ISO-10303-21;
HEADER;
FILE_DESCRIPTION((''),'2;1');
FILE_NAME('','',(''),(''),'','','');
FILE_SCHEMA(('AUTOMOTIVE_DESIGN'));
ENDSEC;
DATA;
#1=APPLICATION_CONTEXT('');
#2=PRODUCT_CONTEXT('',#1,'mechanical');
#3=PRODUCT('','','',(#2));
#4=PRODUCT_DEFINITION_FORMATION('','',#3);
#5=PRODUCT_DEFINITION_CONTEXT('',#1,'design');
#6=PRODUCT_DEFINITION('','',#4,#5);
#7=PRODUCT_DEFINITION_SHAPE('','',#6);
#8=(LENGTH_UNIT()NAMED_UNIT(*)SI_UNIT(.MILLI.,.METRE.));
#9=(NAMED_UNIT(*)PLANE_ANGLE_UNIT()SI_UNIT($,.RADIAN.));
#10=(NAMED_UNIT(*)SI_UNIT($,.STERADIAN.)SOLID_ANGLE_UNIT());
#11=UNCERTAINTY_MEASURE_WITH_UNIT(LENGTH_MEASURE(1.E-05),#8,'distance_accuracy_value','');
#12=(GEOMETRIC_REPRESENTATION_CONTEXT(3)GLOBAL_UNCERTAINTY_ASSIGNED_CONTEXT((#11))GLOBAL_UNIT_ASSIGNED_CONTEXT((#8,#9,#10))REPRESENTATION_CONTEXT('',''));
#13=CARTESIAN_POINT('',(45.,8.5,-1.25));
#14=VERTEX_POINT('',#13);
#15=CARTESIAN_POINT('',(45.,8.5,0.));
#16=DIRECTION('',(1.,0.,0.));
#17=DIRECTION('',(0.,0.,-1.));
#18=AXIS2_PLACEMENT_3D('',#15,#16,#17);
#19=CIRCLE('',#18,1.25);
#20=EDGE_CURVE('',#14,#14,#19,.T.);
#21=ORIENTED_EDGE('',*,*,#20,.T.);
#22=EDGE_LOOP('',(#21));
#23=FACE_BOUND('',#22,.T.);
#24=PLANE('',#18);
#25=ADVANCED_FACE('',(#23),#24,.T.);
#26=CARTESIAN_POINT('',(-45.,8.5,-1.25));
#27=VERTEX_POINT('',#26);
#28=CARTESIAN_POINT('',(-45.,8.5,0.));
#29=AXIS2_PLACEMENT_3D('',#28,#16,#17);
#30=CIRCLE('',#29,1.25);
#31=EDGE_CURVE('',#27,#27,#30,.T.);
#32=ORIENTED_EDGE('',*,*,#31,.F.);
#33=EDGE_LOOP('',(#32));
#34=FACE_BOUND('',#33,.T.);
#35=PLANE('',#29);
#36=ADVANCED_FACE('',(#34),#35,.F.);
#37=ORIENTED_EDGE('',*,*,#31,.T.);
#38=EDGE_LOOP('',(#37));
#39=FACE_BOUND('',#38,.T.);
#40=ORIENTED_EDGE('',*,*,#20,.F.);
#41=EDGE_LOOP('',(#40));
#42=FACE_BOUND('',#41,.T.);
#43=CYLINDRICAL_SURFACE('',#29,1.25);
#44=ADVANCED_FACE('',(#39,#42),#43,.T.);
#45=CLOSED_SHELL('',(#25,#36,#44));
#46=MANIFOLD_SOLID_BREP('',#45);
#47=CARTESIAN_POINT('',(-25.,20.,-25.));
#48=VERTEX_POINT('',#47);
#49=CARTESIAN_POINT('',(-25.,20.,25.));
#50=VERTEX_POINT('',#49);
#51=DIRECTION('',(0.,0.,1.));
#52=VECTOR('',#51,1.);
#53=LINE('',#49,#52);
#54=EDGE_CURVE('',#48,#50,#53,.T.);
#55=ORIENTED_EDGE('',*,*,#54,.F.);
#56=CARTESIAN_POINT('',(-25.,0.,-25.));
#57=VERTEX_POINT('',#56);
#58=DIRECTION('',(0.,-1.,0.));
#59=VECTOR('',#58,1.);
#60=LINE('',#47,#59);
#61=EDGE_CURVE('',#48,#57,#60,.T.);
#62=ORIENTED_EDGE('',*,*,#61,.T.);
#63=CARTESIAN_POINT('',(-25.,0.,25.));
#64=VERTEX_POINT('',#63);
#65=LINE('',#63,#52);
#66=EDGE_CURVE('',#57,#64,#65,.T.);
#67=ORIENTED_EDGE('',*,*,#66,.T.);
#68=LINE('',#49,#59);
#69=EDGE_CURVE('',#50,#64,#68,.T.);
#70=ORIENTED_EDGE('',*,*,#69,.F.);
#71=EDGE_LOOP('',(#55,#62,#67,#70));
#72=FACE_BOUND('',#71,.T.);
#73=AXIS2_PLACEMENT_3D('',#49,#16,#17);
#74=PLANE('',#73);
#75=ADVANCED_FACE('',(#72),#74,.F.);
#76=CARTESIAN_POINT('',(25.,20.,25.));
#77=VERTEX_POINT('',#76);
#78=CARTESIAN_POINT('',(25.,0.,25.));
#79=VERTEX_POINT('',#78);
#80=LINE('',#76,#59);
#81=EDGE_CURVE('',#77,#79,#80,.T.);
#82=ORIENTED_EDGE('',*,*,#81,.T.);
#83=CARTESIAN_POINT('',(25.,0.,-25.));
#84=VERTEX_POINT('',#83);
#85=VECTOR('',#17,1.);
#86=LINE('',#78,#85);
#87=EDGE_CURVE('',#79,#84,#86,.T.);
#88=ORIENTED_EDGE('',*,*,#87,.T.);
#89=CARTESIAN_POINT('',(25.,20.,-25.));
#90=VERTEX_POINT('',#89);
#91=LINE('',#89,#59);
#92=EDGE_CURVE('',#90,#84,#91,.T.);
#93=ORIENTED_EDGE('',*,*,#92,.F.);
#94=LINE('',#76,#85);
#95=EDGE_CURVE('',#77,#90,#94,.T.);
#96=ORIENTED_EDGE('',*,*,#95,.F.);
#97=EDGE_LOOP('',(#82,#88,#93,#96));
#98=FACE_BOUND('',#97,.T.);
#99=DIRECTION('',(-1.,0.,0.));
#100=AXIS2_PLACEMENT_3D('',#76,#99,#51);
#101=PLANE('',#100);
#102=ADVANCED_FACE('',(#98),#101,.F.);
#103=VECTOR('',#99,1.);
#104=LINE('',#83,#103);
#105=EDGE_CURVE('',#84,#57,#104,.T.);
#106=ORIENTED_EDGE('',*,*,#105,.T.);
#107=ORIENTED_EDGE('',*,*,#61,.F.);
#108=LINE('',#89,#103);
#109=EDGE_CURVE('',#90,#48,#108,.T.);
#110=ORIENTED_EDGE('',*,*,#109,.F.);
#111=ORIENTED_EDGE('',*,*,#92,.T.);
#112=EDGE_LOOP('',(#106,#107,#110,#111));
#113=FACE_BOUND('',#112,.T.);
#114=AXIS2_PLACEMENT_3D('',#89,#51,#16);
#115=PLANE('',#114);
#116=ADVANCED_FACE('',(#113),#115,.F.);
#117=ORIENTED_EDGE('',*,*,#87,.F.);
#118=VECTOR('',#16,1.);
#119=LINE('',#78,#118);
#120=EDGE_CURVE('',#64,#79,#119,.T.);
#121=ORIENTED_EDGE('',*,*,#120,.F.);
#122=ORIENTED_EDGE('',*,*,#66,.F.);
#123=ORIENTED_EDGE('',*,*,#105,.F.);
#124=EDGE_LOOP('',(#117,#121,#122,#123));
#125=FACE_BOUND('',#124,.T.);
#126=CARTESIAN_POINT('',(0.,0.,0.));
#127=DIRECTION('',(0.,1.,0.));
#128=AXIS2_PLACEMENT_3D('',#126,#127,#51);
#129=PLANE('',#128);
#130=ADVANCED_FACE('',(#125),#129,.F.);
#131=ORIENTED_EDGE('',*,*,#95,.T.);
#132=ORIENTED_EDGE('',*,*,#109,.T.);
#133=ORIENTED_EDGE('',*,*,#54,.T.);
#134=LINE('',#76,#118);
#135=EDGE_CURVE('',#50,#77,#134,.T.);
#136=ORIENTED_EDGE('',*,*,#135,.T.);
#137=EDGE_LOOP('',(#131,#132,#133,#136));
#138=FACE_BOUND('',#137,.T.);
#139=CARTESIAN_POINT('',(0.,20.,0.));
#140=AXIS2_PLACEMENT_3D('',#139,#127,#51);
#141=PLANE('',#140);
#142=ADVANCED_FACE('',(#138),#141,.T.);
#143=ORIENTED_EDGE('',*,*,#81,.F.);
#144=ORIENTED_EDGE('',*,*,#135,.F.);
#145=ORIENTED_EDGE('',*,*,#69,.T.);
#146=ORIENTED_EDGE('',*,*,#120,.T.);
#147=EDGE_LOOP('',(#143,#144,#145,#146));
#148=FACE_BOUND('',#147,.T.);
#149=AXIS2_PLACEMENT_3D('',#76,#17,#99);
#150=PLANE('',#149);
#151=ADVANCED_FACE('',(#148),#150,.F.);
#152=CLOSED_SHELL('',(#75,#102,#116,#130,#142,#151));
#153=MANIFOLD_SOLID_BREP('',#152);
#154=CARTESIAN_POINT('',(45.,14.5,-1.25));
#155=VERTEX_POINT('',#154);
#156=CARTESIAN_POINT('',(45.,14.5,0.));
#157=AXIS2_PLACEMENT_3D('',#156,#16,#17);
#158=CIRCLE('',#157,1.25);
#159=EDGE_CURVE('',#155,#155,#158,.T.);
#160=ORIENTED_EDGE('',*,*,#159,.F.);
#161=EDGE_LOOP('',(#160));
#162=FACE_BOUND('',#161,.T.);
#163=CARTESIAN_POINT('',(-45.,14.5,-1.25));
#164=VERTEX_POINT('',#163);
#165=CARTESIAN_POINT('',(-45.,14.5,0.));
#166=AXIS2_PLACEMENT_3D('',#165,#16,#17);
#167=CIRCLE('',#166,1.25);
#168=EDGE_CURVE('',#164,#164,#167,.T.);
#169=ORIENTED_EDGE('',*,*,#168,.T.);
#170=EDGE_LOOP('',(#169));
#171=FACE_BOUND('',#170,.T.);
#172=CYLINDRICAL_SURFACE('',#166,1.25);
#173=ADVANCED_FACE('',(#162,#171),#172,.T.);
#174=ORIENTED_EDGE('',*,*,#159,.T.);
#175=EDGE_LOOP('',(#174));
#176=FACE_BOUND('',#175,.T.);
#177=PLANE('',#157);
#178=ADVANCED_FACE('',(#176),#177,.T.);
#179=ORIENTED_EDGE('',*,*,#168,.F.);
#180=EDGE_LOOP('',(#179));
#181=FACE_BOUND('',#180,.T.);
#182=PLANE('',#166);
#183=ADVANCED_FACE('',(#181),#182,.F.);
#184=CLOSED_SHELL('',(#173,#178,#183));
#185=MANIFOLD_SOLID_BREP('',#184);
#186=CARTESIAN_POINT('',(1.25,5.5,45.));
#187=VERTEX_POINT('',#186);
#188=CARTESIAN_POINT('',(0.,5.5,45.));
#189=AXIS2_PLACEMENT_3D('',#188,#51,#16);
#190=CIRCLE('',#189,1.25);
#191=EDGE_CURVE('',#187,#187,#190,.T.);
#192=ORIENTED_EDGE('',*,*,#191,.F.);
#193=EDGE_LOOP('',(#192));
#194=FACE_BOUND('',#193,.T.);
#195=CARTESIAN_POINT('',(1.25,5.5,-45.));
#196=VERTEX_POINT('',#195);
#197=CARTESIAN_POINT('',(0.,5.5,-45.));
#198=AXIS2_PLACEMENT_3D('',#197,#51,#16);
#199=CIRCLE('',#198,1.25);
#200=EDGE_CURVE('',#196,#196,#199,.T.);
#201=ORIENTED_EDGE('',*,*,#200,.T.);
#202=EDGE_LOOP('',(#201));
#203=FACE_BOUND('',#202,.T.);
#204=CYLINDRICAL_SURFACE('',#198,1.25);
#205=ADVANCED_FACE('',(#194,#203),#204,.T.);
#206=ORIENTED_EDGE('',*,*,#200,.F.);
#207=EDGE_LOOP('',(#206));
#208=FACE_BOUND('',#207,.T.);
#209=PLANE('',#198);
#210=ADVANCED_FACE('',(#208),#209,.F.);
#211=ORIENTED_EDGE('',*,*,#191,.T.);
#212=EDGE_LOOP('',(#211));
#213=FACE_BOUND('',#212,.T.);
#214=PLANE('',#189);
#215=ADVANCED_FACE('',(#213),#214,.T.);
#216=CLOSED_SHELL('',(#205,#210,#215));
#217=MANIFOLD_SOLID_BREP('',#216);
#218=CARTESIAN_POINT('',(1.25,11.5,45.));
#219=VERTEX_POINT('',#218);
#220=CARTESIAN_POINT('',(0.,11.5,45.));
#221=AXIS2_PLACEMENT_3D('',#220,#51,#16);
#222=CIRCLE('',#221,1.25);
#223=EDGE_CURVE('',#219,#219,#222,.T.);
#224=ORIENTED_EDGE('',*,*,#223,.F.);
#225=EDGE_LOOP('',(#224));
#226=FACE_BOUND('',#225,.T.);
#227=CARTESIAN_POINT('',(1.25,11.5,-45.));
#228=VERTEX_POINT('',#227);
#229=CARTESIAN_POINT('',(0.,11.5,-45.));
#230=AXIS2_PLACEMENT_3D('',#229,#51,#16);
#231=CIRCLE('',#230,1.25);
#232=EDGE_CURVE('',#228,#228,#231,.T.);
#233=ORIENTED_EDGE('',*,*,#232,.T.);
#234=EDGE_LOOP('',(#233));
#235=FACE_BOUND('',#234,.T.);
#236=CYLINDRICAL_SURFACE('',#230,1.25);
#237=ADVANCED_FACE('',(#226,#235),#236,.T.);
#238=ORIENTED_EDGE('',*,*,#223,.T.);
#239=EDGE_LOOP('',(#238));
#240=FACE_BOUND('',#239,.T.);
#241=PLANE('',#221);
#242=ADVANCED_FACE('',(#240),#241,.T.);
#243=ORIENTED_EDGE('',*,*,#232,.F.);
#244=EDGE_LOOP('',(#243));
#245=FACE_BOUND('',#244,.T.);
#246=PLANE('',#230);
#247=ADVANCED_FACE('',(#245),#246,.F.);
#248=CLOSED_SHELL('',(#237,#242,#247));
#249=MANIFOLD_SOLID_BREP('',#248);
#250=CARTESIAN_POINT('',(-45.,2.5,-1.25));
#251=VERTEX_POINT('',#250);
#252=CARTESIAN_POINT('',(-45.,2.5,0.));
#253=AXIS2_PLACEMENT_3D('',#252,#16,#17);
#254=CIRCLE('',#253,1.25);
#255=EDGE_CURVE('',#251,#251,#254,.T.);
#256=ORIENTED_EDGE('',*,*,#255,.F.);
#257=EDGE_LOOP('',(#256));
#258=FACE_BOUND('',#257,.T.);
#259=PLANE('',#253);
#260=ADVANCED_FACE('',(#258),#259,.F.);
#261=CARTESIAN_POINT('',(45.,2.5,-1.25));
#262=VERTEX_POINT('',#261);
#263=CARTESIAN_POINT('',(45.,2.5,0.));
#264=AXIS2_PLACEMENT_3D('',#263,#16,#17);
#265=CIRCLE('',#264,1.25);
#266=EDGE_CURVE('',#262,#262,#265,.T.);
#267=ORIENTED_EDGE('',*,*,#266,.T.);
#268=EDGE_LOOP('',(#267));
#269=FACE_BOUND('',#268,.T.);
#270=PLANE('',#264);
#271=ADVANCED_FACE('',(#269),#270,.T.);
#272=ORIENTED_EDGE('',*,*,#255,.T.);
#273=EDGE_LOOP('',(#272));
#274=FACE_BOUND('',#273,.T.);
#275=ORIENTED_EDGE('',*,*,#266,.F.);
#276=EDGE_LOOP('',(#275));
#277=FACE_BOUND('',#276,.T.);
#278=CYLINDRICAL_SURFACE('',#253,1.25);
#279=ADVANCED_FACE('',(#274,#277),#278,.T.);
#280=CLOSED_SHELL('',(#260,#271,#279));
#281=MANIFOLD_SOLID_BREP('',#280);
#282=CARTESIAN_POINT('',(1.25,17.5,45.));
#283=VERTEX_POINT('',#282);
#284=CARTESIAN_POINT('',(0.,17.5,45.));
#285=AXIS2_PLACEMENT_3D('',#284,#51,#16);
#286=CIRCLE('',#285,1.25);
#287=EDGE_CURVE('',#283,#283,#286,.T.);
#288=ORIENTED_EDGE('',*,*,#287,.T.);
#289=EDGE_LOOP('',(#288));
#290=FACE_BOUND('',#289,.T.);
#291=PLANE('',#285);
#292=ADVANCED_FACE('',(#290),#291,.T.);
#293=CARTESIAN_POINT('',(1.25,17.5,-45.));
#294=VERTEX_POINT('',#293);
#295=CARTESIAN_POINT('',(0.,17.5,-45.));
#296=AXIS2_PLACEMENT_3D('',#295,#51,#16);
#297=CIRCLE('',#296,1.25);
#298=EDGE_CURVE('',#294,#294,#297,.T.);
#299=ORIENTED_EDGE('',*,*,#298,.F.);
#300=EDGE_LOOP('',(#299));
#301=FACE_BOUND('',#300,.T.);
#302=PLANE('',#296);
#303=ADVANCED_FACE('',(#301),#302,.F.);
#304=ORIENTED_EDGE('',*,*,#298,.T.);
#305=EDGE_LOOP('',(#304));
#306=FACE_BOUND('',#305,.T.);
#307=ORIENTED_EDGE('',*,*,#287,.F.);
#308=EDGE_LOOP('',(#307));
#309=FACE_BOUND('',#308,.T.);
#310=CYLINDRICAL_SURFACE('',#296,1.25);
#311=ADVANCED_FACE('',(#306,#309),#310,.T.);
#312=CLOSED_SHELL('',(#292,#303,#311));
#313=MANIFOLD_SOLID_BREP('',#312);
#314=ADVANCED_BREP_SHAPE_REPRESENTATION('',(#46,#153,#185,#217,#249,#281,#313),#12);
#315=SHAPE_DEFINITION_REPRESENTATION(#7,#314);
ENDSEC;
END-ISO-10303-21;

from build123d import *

# Parameters (mm, degrees)
SKETCH1_W                  = 50
SKETCH1_H                  = 50
BOSS_EXTRUDE1_DEPTH        = 20
SKETCH2_R                  = 1.25
BOSS_EXTRUDE2_DEPTH        = 20
BOSS_EXTRUDE2_DEPTH_BACK   = 70
BOSS_EXTRUDE2_2_DEPTH      = 20
BOSS_EXTRUDE2_2_DEPTH_BACK = 70
BOSS_EXTRUDE2_3_DEPTH      = 20
BOSS_EXTRUDE2_3_DEPTH_BACK = 70
SKETCH3_R                  = 1.25
BOSS_EXTRUDE3_DEPTH        = 20
BOSS_EXTRUDE3_DEPTH_BACK   = 70
BOSS_EXTRUDE3_2_DEPTH      = 20
BOSS_EXTRUDE3_2_DEPTH_BACK = 70
BOSS_EXTRUDE3_3_DEPTH      = 20
BOSS_EXTRUDE3_3_DEPTH_BACK = 70


with BuildPart() as part:
    # Sketch1 → Boss-Extrude1 (new body)
    with BuildSketch(Plane(origin=(0, 0, 0), x_dir=(1, 0, 0), z_dir=(0, 1, 0))):
        Rectangle(SKETCH1_W, SKETCH1_H)
    extrude(amount=BOSS_EXTRUDE1_DEPTH)


with BuildPart() as body_2:
    # Sketch2 → Boss-Extrude2 (new body, two sides)
    with BuildSketch(Plane.XY.offset(25)) as boss_extrude2_sk:
        with Locations((0, 17.5)):
            Circle(SKETCH2_R)
    extrude(amount=BOSS_EXTRUDE2_DEPTH)
    extrude(boss_extrude2_sk.sketch, amount=-BOSS_EXTRUDE2_DEPTH_BACK)


with BuildPart() as body_3:
    # Sketch2 → Boss-Extrude2 2 (new body, two sides)
    with BuildSketch(Plane.XY.offset(25)) as boss_extrude2_2_sk:
        with Locations((0, 11.5)):
            Circle(SKETCH2_R)
    extrude(amount=BOSS_EXTRUDE2_2_DEPTH)
    extrude(boss_extrude2_2_sk.sketch, amount=-BOSS_EXTRUDE2_2_DEPTH_BACK)


with BuildPart() as body_4:
    # Sketch2 → Boss-Extrude2 3 (new body, two sides)
    with BuildSketch(Plane.XY.offset(25)) as boss_extrude2_3_sk:
        with Locations((0, 5.5)):
            Circle(SKETCH2_R)
    extrude(amount=BOSS_EXTRUDE2_3_DEPTH)
    extrude(boss_extrude2_3_sk.sketch, amount=-BOSS_EXTRUDE2_3_DEPTH_BACK)


with BuildPart() as body_5:
    # Sketch3 → Boss-Extrude3 (new body, two sides)
    with BuildSketch(Plane(origin=(25, 0, 0), x_dir=(0, 0, -1), z_dir=(1, 0, 0))) as boss_extrude3_sk:
        with Locations((0, 14.5)):
            Circle(SKETCH3_R)
    extrude(amount=BOSS_EXTRUDE3_DEPTH)
    extrude(boss_extrude3_sk.sketch, amount=-BOSS_EXTRUDE3_DEPTH_BACK)


with BuildPart() as body_6:
    # Sketch3 → Boss-Extrude3 2 (new body, two sides)
    with BuildSketch(Plane(origin=(25, 0, 0), x_dir=(0, 0, -1), z_dir=(1, 0, 0))) as boss_extrude3_2_sk:
        with Locations((0, 8.5)):
            Circle(SKETCH3_R)
    extrude(amount=BOSS_EXTRUDE3_2_DEPTH)
    extrude(boss_extrude3_2_sk.sketch, amount=-BOSS_EXTRUDE3_2_DEPTH_BACK)


with BuildPart() as body_7:
    # Sketch3 → Boss-Extrude3 3 (new body, two sides)
    with BuildSketch(Plane(origin=(25, 0, 0), x_dir=(0, 0, -1), z_dir=(1, 0, 0))) as boss_extrude3_3_sk:
        with Locations((0, 2.5)):
            Circle(SKETCH3_R)
    extrude(amount=BOSS_EXTRUDE3_3_DEPTH)
    extrude(boss_extrude3_3_sk.sketch, amount=-BOSS_EXTRUDE3_3_DEPTH_BACK)


solid = Compound([part.part, body_2.part, body_3.part, body_4.part, body_5.part, body_6.part, body_7.part])
